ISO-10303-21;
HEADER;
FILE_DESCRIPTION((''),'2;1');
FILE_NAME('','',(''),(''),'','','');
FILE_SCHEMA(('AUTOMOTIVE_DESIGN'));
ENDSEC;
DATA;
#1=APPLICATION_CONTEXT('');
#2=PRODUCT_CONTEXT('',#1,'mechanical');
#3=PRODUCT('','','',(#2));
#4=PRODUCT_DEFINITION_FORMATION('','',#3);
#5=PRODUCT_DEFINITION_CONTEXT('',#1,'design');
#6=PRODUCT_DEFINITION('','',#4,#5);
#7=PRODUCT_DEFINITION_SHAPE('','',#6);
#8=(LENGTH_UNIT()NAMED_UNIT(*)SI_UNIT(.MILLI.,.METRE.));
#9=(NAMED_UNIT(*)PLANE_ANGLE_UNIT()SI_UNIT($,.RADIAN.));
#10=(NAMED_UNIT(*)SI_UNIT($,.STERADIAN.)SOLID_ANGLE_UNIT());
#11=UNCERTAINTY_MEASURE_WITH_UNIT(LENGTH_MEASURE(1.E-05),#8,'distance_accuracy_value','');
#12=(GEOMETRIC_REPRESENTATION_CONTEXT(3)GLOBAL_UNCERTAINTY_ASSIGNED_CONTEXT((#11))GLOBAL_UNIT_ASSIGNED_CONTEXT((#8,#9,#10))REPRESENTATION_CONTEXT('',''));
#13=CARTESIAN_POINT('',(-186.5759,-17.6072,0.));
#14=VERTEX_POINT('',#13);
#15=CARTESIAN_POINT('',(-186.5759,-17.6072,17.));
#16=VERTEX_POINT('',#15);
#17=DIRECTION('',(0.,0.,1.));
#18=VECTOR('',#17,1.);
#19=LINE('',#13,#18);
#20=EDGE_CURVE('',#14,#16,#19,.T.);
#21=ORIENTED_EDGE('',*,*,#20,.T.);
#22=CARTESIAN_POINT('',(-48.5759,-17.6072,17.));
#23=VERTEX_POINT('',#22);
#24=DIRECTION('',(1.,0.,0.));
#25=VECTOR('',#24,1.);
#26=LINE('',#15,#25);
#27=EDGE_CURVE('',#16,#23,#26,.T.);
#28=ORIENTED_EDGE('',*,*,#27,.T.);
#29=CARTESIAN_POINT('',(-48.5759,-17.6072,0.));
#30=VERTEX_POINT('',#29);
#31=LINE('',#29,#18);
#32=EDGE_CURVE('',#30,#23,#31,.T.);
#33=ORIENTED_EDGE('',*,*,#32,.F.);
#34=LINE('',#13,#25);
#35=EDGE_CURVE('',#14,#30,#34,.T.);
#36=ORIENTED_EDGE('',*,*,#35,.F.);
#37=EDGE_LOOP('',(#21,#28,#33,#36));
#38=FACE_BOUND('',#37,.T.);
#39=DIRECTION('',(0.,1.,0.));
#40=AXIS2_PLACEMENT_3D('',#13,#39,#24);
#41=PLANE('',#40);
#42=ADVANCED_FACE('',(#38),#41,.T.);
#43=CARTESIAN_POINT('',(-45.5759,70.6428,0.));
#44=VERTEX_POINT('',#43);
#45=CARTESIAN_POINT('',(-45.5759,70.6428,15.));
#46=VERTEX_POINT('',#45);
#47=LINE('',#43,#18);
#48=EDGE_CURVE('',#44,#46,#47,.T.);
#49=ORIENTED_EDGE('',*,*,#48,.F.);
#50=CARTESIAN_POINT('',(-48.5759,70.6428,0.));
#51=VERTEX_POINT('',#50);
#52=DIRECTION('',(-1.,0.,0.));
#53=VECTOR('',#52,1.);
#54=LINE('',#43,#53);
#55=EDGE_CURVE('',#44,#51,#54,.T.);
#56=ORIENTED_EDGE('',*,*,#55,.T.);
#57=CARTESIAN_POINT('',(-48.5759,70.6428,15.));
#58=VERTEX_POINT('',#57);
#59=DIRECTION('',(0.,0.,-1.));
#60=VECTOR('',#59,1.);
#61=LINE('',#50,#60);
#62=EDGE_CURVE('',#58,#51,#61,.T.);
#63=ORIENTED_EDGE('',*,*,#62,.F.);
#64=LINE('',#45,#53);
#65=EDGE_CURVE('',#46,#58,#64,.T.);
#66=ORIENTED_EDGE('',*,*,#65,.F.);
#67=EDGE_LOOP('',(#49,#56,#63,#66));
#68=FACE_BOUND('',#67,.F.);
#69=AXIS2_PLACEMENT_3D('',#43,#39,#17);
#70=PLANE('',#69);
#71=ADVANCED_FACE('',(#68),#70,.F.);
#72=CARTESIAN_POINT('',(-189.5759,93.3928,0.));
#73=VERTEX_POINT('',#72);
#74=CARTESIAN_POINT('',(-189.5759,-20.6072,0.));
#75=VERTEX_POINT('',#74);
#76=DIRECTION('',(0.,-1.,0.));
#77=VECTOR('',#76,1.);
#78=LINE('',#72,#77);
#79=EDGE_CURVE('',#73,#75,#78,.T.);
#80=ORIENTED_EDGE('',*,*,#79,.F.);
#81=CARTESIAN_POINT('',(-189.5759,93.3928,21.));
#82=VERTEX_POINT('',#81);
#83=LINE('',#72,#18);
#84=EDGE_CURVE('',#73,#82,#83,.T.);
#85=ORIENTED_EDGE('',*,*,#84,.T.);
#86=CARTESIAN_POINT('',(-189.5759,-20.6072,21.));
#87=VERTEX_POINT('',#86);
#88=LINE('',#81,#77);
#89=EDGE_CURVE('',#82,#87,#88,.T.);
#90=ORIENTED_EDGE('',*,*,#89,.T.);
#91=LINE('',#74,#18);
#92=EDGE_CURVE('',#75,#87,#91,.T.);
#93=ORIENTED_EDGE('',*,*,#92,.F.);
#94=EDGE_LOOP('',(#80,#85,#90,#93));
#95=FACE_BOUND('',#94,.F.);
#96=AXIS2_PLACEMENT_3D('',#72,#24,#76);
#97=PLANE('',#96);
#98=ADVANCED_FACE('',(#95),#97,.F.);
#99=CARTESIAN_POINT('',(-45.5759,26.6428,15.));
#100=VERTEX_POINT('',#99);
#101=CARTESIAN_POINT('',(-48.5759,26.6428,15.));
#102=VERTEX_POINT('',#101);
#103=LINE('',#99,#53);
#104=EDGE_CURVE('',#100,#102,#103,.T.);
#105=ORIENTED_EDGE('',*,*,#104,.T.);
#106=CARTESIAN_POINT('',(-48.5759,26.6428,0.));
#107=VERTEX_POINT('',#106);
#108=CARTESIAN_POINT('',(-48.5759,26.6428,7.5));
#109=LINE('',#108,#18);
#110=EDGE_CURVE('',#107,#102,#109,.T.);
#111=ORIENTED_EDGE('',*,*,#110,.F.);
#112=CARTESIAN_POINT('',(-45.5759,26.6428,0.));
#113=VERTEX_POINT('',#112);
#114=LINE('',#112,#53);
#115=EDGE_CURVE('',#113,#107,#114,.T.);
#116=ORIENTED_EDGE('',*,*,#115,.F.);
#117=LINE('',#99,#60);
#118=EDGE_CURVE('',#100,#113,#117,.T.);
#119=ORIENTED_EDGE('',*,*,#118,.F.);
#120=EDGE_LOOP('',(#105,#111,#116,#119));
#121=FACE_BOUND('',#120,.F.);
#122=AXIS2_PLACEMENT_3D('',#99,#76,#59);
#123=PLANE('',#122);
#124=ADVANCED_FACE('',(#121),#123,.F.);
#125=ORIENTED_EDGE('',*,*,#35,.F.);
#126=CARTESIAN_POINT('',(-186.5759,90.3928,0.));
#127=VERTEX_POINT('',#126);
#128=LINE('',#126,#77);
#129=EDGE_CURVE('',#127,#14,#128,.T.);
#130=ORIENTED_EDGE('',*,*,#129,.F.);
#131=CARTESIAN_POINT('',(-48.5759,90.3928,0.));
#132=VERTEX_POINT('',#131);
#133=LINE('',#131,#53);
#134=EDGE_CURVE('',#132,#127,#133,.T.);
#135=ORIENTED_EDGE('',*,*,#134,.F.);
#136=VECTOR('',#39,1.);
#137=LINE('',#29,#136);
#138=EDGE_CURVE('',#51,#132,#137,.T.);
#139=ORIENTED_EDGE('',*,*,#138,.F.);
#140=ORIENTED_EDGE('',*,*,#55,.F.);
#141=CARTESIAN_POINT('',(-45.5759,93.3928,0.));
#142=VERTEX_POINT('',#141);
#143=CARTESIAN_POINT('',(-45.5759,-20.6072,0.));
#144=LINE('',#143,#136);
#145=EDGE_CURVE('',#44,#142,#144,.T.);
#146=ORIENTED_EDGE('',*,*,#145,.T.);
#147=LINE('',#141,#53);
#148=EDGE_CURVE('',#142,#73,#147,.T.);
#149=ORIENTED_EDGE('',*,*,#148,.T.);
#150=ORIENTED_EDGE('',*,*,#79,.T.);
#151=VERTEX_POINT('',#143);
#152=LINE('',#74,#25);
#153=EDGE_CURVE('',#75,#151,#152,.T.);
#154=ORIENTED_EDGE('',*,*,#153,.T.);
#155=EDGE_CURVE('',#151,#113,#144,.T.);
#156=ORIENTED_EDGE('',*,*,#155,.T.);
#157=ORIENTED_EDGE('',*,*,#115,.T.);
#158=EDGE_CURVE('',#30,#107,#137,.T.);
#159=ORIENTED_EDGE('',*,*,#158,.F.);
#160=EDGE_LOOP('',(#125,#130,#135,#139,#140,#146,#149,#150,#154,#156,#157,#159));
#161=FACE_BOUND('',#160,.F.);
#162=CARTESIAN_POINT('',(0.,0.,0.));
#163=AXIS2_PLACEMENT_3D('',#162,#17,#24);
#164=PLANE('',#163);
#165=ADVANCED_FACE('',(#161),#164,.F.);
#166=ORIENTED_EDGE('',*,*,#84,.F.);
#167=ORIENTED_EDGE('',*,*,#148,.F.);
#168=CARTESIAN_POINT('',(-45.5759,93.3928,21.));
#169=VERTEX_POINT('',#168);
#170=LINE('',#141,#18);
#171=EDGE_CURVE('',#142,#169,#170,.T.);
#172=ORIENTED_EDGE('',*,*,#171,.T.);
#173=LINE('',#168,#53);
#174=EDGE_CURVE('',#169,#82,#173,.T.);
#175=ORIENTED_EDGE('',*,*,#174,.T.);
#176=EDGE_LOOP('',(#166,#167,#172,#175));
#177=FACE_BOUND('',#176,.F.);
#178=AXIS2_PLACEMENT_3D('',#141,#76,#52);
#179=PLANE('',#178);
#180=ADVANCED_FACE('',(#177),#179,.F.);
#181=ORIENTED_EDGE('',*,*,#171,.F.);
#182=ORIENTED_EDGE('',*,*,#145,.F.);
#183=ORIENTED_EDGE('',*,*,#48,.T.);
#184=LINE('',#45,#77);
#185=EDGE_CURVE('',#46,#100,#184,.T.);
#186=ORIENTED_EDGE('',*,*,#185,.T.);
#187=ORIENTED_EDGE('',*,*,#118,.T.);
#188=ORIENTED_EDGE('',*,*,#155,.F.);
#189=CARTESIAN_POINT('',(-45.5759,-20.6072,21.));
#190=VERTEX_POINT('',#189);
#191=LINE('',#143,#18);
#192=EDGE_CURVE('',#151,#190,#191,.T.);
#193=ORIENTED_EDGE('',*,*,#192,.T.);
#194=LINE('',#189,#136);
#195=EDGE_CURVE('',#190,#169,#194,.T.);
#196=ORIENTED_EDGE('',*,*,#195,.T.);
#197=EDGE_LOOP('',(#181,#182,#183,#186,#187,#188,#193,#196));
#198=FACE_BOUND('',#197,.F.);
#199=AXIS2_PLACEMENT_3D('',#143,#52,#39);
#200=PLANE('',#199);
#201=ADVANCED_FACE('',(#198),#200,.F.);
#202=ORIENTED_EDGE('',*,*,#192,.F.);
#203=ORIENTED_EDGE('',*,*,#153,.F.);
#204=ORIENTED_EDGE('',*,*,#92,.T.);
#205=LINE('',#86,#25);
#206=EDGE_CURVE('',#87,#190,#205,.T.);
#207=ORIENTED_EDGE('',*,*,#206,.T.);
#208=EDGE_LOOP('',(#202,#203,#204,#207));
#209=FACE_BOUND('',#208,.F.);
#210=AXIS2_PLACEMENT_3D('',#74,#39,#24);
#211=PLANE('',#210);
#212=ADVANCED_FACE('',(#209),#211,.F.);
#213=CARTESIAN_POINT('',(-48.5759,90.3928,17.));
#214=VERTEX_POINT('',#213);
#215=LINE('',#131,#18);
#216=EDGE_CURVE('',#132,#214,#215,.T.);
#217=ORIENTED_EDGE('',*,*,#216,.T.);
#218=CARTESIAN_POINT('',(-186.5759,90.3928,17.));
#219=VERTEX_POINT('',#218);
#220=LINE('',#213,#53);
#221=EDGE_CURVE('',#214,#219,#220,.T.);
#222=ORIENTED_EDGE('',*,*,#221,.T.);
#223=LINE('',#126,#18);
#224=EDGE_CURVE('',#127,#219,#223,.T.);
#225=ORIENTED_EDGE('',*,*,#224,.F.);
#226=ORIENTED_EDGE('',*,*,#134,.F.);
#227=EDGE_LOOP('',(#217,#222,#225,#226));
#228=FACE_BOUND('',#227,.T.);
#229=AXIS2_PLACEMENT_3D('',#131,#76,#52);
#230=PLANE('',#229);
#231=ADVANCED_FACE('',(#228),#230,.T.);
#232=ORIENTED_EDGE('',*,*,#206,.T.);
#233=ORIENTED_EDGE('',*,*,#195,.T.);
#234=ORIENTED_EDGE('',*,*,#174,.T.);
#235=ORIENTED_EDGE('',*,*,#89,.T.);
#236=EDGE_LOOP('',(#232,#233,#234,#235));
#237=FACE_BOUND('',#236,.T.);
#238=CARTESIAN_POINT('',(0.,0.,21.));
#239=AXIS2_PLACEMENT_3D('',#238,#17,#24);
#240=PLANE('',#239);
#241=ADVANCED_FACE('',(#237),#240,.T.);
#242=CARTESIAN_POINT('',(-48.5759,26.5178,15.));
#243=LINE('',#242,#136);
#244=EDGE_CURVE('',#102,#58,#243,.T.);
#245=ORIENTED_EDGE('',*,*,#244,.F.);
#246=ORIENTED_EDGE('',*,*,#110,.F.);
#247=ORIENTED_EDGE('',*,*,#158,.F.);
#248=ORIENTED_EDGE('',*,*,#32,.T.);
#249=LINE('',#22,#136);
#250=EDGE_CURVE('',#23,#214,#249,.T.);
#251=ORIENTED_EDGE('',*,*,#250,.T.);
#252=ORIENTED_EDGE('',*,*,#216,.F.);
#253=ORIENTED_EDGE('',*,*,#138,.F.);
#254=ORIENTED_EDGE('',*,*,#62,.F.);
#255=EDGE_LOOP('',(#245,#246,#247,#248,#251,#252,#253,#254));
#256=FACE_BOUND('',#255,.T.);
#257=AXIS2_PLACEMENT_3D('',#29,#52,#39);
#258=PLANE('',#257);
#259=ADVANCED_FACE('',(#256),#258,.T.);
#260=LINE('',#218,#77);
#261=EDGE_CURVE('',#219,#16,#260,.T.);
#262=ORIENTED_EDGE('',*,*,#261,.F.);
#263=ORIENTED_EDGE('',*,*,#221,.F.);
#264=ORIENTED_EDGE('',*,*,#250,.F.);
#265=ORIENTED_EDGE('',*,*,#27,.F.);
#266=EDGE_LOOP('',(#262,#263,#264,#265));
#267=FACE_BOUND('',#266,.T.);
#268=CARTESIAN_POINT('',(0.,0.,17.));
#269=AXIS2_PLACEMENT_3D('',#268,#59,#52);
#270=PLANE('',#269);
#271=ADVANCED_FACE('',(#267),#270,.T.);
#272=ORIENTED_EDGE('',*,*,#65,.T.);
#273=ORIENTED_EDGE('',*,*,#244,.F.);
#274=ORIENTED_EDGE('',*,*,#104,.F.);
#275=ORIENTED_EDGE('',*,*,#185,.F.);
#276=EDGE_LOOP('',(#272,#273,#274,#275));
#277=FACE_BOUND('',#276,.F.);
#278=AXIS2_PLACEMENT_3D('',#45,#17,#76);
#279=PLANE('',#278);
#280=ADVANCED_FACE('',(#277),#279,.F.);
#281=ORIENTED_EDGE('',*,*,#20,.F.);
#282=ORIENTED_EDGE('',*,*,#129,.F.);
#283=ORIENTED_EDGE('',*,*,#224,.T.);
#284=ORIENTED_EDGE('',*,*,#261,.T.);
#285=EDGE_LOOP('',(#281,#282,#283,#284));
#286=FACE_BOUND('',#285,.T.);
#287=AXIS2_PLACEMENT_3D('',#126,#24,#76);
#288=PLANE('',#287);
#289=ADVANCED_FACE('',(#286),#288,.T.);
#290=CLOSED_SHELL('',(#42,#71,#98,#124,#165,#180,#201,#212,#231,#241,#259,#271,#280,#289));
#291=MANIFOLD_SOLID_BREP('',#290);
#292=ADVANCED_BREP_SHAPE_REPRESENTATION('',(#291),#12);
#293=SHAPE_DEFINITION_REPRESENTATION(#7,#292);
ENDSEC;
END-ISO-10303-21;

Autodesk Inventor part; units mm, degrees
ref_plane "YZ Plane" through (0, 0, 0) normal (1, 0, 0) x (0, 1, 0)
ref_plane "XZ Plane" through (0, 0, 0) normal (0, 1, 0) x (-1, 0, 0)
sketch "Esquisse1" plane through (0, 0, 0) normal (0, 0, 1) x (1, 0, 0)
  line L0 (-45.5759, 93.3928) -> (-189.5759, 93.3928) projected
  line L1 (-189.5759, 93.3928) -> (-189.5759, -20.6072) projected
  line L2 (-45.5759, -20.6072) -> (-45.5759, 93.3928) projected
  line L3 (-189.5759, -20.6072) -> (-45.5759, -20.6072) projected
  line L4 (-189.5759, 93.3928) -> (-45.5759, 93.3928)
  line L5 (-45.5759, 93.3928) -> (-45.5759, -20.6072)
  line L6 (-45.5759, -20.6072) -> (-189.5759, -20.6072)
  line L7 (-189.5759, -20.6072) -> (-189.5759, 93.3928)
  point P0 (0, 0)
extrude "Extrusion1" add sketch "Esquisse1" along normal blind 21
sketch "Esquisse2" plane through (0, 0, 0) normal (0, 0, -1) x (-1, 0, 0)
  line L0 (186.5759, -17.6072) -> (48.5759, -17.6072)
  line L1 (48.5759, -17.6072) -> (48.5759, 90.3928)
  line L2 (48.5759, 90.3928) -> (186.5759, 90.3928)
  line L3 (186.5759, 90.3928) -> (186.5759, -17.6072)
  line L4 (189.5759, -20.6072) -> (45.5759, -20.6072) projected
  line L5 (45.5759, 93.3928) -> (189.5759, 93.3928) projected
  line L6 (189.5759, 93.3928) -> (189.5759, -20.6072) projected
  line L7 (45.5759, -20.6072) -> (45.5759, 93.3928) projected
  point P0 (0, 0)
  dimension "d2" = 3
  dimension "d4" = 3
  dimension "d5" = 3
  dimension "d6" = 3
extrude "Extrusion3" cut sketch "Esquisse2" against normal blind 17 contours L0 L1 L2 L3
sketch "Esquisse3" plane through (-45.5759, -20.6072, 0) normal (1, 0, 0) x (0, 0, -1)
  line L0 (-15, 47.25) -> (0, 47.25)
  line L1 (0, 47.25) -> (0, 91.25)
  line L2 (0, 91.25) -> (-15, 91.25)
  line L3 (-15, 91.25) -> (-15, 47.25)
  line L4 (0, -22.8) -> (0, 136.8) projected
  line L5 (0, 0) -> (-21, 0) projected
  point P0 (0, 20.6072)
  point P1 (-10.5, -7.9486)
  point P2 (-10.5, 0)
  dimension "d11" = 15
  dimension "d12" = 44
  dimension "d19" = 47.25
ref_plane "Plan de construction1" through (-50.5759, 25.8928, -3.5) normal (-1, 0, 0) x (0, 0, 1)
extrude "Extrusion4" cut sketch "Esquisse3" against normal up to surface (5 mm away)
equation "\"d4\" = d2"
equation "\"d5\" = d2"
equation "\"d6\" = d4"
properties part number "couvercle"
